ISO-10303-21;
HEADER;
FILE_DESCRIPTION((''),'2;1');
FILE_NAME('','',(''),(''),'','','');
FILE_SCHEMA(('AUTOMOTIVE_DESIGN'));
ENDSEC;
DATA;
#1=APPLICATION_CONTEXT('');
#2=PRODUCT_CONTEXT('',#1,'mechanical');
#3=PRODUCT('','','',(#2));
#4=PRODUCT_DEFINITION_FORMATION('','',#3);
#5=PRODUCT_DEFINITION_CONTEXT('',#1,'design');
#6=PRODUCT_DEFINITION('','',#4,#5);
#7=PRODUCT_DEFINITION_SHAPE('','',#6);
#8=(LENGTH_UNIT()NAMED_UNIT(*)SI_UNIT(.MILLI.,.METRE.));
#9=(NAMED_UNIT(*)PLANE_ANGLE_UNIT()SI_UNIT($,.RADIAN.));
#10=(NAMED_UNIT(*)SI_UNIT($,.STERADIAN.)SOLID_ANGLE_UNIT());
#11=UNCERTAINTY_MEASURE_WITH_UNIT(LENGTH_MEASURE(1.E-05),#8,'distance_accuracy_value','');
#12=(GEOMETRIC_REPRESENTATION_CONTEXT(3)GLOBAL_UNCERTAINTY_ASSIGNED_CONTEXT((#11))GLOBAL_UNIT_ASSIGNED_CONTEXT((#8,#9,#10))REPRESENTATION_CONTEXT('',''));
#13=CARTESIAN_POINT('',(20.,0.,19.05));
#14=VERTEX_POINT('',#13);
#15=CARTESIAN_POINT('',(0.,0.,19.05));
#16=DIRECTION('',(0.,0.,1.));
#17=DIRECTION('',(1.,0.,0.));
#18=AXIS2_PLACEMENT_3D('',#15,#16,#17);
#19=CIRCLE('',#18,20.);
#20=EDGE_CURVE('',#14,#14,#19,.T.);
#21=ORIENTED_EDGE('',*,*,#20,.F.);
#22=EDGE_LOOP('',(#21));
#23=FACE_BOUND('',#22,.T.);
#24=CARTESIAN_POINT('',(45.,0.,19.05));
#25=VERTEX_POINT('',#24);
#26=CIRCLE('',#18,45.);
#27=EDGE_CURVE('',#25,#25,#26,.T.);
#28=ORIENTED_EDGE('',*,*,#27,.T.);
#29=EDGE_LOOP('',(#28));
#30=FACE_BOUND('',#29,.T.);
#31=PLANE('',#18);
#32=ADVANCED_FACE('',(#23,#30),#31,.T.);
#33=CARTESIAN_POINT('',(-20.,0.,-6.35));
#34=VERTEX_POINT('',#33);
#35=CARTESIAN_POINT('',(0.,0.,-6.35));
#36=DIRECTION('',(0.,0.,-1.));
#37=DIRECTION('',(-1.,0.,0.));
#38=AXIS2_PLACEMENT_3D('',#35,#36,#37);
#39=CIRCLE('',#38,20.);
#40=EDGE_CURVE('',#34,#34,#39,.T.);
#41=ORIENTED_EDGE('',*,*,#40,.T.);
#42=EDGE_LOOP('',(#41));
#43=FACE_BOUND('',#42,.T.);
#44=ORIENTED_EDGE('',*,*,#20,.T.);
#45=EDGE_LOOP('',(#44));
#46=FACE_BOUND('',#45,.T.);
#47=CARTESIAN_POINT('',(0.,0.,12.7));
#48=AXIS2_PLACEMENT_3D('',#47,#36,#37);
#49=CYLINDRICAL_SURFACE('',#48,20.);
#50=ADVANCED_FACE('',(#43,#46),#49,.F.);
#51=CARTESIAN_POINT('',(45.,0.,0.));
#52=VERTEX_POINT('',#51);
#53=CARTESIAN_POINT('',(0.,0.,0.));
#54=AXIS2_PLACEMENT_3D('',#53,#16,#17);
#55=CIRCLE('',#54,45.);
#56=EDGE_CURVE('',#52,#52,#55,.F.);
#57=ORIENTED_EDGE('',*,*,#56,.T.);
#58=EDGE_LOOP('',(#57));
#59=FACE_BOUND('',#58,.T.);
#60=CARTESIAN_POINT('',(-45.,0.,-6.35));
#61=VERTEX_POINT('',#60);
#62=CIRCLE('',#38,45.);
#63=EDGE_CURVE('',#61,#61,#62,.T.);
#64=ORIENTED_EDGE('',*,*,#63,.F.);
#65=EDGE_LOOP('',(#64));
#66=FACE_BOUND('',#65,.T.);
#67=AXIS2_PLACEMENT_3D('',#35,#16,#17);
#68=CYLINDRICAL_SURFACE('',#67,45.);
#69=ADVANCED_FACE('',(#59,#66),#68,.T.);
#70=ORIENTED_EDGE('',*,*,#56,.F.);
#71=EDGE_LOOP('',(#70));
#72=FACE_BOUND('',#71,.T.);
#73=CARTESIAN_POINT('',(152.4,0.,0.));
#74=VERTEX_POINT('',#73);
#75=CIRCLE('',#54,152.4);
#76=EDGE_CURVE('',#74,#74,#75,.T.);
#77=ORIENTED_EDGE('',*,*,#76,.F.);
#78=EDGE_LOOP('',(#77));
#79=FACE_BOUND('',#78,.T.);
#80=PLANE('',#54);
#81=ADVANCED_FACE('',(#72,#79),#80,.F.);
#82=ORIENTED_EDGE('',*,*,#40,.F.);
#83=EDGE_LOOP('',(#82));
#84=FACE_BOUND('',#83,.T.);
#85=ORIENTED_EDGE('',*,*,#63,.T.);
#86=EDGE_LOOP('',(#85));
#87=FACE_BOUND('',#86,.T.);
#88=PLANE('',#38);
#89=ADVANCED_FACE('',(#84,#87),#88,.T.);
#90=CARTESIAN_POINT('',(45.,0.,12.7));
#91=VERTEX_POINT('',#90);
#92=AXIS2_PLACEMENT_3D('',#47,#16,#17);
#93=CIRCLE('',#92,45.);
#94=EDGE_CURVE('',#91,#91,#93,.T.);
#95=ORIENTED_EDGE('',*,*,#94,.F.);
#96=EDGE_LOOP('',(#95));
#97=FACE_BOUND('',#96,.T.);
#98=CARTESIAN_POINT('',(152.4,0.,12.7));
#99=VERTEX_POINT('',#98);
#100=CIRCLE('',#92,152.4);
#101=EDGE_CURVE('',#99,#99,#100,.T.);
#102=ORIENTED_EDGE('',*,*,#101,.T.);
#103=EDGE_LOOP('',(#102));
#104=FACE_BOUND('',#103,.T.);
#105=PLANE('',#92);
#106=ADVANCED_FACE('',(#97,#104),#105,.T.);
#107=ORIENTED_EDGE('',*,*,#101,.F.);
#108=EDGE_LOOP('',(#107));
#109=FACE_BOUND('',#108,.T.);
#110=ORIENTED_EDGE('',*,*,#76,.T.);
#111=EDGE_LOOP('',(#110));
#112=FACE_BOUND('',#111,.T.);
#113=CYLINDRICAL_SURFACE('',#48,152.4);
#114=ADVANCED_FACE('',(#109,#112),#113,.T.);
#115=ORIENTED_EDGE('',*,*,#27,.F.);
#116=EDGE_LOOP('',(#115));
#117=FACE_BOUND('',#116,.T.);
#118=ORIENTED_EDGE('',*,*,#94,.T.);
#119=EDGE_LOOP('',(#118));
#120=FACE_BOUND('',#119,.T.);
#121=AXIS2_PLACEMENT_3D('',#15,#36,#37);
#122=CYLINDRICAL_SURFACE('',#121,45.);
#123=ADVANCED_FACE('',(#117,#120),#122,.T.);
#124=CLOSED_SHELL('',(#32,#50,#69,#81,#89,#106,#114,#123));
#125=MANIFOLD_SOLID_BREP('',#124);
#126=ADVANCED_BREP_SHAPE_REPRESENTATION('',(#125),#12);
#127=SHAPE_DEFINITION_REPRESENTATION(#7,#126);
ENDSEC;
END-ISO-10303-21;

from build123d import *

# Parameters (mm, degrees)
SKETCH1_R           = 152.4
SKETCH1_R_2         = 20
BOSS_EXTRUDE1_DEPTH = 12.7
SKETCH2_R           = 45
SKETCH2_R_2         = 20
BOSS_EXTRUDE2_DEPTH = 6.35
BOSS_EXTRUDE3_START = 6.35
SKETCH3_R           = 45
SKETCH3_R_2         = 20
BOSS_EXTRUDE3_DEPTH = 6.35


with BuildPart() as part:
    # Sketch1 → Boss-Extrude1 (new body)
    with BuildSketch(Plane.XY):
        Circle(SKETCH1_R)
        Circle(SKETCH1_R_2, mode=Mode.SUBTRACT)
    extrude(amount=BOSS_EXTRUDE1_DEPTH)

    # Sketch2 → Boss-Extrude2 (add)
    with BuildSketch(Plane.XY.offset(12.7)):
        Circle(SKETCH2_R)
        Circle(SKETCH2_R_2, mode=Mode.SUBTRACT)
    extrude(amount=BOSS_EXTRUDE2_DEPTH)

    # Sketch3 → Boss-Extrude3 (add)
    with BuildSketch(Plane(origin=(0, 0, 0), x_dir=(-1, 0, 0), z_dir=(0, 0, -1)).offset(BOSS_EXTRUDE3_START)):
        with Locations(Location((0, 0, 0), (0, 0, 180))):
            Circle(SKETCH3_R)
        Circle(SKETCH3_R_2, mode=Mode.SUBTRACT)
    extrude(amount=-BOSS_EXTRUDE3_DEPTH)


solid = part.part
